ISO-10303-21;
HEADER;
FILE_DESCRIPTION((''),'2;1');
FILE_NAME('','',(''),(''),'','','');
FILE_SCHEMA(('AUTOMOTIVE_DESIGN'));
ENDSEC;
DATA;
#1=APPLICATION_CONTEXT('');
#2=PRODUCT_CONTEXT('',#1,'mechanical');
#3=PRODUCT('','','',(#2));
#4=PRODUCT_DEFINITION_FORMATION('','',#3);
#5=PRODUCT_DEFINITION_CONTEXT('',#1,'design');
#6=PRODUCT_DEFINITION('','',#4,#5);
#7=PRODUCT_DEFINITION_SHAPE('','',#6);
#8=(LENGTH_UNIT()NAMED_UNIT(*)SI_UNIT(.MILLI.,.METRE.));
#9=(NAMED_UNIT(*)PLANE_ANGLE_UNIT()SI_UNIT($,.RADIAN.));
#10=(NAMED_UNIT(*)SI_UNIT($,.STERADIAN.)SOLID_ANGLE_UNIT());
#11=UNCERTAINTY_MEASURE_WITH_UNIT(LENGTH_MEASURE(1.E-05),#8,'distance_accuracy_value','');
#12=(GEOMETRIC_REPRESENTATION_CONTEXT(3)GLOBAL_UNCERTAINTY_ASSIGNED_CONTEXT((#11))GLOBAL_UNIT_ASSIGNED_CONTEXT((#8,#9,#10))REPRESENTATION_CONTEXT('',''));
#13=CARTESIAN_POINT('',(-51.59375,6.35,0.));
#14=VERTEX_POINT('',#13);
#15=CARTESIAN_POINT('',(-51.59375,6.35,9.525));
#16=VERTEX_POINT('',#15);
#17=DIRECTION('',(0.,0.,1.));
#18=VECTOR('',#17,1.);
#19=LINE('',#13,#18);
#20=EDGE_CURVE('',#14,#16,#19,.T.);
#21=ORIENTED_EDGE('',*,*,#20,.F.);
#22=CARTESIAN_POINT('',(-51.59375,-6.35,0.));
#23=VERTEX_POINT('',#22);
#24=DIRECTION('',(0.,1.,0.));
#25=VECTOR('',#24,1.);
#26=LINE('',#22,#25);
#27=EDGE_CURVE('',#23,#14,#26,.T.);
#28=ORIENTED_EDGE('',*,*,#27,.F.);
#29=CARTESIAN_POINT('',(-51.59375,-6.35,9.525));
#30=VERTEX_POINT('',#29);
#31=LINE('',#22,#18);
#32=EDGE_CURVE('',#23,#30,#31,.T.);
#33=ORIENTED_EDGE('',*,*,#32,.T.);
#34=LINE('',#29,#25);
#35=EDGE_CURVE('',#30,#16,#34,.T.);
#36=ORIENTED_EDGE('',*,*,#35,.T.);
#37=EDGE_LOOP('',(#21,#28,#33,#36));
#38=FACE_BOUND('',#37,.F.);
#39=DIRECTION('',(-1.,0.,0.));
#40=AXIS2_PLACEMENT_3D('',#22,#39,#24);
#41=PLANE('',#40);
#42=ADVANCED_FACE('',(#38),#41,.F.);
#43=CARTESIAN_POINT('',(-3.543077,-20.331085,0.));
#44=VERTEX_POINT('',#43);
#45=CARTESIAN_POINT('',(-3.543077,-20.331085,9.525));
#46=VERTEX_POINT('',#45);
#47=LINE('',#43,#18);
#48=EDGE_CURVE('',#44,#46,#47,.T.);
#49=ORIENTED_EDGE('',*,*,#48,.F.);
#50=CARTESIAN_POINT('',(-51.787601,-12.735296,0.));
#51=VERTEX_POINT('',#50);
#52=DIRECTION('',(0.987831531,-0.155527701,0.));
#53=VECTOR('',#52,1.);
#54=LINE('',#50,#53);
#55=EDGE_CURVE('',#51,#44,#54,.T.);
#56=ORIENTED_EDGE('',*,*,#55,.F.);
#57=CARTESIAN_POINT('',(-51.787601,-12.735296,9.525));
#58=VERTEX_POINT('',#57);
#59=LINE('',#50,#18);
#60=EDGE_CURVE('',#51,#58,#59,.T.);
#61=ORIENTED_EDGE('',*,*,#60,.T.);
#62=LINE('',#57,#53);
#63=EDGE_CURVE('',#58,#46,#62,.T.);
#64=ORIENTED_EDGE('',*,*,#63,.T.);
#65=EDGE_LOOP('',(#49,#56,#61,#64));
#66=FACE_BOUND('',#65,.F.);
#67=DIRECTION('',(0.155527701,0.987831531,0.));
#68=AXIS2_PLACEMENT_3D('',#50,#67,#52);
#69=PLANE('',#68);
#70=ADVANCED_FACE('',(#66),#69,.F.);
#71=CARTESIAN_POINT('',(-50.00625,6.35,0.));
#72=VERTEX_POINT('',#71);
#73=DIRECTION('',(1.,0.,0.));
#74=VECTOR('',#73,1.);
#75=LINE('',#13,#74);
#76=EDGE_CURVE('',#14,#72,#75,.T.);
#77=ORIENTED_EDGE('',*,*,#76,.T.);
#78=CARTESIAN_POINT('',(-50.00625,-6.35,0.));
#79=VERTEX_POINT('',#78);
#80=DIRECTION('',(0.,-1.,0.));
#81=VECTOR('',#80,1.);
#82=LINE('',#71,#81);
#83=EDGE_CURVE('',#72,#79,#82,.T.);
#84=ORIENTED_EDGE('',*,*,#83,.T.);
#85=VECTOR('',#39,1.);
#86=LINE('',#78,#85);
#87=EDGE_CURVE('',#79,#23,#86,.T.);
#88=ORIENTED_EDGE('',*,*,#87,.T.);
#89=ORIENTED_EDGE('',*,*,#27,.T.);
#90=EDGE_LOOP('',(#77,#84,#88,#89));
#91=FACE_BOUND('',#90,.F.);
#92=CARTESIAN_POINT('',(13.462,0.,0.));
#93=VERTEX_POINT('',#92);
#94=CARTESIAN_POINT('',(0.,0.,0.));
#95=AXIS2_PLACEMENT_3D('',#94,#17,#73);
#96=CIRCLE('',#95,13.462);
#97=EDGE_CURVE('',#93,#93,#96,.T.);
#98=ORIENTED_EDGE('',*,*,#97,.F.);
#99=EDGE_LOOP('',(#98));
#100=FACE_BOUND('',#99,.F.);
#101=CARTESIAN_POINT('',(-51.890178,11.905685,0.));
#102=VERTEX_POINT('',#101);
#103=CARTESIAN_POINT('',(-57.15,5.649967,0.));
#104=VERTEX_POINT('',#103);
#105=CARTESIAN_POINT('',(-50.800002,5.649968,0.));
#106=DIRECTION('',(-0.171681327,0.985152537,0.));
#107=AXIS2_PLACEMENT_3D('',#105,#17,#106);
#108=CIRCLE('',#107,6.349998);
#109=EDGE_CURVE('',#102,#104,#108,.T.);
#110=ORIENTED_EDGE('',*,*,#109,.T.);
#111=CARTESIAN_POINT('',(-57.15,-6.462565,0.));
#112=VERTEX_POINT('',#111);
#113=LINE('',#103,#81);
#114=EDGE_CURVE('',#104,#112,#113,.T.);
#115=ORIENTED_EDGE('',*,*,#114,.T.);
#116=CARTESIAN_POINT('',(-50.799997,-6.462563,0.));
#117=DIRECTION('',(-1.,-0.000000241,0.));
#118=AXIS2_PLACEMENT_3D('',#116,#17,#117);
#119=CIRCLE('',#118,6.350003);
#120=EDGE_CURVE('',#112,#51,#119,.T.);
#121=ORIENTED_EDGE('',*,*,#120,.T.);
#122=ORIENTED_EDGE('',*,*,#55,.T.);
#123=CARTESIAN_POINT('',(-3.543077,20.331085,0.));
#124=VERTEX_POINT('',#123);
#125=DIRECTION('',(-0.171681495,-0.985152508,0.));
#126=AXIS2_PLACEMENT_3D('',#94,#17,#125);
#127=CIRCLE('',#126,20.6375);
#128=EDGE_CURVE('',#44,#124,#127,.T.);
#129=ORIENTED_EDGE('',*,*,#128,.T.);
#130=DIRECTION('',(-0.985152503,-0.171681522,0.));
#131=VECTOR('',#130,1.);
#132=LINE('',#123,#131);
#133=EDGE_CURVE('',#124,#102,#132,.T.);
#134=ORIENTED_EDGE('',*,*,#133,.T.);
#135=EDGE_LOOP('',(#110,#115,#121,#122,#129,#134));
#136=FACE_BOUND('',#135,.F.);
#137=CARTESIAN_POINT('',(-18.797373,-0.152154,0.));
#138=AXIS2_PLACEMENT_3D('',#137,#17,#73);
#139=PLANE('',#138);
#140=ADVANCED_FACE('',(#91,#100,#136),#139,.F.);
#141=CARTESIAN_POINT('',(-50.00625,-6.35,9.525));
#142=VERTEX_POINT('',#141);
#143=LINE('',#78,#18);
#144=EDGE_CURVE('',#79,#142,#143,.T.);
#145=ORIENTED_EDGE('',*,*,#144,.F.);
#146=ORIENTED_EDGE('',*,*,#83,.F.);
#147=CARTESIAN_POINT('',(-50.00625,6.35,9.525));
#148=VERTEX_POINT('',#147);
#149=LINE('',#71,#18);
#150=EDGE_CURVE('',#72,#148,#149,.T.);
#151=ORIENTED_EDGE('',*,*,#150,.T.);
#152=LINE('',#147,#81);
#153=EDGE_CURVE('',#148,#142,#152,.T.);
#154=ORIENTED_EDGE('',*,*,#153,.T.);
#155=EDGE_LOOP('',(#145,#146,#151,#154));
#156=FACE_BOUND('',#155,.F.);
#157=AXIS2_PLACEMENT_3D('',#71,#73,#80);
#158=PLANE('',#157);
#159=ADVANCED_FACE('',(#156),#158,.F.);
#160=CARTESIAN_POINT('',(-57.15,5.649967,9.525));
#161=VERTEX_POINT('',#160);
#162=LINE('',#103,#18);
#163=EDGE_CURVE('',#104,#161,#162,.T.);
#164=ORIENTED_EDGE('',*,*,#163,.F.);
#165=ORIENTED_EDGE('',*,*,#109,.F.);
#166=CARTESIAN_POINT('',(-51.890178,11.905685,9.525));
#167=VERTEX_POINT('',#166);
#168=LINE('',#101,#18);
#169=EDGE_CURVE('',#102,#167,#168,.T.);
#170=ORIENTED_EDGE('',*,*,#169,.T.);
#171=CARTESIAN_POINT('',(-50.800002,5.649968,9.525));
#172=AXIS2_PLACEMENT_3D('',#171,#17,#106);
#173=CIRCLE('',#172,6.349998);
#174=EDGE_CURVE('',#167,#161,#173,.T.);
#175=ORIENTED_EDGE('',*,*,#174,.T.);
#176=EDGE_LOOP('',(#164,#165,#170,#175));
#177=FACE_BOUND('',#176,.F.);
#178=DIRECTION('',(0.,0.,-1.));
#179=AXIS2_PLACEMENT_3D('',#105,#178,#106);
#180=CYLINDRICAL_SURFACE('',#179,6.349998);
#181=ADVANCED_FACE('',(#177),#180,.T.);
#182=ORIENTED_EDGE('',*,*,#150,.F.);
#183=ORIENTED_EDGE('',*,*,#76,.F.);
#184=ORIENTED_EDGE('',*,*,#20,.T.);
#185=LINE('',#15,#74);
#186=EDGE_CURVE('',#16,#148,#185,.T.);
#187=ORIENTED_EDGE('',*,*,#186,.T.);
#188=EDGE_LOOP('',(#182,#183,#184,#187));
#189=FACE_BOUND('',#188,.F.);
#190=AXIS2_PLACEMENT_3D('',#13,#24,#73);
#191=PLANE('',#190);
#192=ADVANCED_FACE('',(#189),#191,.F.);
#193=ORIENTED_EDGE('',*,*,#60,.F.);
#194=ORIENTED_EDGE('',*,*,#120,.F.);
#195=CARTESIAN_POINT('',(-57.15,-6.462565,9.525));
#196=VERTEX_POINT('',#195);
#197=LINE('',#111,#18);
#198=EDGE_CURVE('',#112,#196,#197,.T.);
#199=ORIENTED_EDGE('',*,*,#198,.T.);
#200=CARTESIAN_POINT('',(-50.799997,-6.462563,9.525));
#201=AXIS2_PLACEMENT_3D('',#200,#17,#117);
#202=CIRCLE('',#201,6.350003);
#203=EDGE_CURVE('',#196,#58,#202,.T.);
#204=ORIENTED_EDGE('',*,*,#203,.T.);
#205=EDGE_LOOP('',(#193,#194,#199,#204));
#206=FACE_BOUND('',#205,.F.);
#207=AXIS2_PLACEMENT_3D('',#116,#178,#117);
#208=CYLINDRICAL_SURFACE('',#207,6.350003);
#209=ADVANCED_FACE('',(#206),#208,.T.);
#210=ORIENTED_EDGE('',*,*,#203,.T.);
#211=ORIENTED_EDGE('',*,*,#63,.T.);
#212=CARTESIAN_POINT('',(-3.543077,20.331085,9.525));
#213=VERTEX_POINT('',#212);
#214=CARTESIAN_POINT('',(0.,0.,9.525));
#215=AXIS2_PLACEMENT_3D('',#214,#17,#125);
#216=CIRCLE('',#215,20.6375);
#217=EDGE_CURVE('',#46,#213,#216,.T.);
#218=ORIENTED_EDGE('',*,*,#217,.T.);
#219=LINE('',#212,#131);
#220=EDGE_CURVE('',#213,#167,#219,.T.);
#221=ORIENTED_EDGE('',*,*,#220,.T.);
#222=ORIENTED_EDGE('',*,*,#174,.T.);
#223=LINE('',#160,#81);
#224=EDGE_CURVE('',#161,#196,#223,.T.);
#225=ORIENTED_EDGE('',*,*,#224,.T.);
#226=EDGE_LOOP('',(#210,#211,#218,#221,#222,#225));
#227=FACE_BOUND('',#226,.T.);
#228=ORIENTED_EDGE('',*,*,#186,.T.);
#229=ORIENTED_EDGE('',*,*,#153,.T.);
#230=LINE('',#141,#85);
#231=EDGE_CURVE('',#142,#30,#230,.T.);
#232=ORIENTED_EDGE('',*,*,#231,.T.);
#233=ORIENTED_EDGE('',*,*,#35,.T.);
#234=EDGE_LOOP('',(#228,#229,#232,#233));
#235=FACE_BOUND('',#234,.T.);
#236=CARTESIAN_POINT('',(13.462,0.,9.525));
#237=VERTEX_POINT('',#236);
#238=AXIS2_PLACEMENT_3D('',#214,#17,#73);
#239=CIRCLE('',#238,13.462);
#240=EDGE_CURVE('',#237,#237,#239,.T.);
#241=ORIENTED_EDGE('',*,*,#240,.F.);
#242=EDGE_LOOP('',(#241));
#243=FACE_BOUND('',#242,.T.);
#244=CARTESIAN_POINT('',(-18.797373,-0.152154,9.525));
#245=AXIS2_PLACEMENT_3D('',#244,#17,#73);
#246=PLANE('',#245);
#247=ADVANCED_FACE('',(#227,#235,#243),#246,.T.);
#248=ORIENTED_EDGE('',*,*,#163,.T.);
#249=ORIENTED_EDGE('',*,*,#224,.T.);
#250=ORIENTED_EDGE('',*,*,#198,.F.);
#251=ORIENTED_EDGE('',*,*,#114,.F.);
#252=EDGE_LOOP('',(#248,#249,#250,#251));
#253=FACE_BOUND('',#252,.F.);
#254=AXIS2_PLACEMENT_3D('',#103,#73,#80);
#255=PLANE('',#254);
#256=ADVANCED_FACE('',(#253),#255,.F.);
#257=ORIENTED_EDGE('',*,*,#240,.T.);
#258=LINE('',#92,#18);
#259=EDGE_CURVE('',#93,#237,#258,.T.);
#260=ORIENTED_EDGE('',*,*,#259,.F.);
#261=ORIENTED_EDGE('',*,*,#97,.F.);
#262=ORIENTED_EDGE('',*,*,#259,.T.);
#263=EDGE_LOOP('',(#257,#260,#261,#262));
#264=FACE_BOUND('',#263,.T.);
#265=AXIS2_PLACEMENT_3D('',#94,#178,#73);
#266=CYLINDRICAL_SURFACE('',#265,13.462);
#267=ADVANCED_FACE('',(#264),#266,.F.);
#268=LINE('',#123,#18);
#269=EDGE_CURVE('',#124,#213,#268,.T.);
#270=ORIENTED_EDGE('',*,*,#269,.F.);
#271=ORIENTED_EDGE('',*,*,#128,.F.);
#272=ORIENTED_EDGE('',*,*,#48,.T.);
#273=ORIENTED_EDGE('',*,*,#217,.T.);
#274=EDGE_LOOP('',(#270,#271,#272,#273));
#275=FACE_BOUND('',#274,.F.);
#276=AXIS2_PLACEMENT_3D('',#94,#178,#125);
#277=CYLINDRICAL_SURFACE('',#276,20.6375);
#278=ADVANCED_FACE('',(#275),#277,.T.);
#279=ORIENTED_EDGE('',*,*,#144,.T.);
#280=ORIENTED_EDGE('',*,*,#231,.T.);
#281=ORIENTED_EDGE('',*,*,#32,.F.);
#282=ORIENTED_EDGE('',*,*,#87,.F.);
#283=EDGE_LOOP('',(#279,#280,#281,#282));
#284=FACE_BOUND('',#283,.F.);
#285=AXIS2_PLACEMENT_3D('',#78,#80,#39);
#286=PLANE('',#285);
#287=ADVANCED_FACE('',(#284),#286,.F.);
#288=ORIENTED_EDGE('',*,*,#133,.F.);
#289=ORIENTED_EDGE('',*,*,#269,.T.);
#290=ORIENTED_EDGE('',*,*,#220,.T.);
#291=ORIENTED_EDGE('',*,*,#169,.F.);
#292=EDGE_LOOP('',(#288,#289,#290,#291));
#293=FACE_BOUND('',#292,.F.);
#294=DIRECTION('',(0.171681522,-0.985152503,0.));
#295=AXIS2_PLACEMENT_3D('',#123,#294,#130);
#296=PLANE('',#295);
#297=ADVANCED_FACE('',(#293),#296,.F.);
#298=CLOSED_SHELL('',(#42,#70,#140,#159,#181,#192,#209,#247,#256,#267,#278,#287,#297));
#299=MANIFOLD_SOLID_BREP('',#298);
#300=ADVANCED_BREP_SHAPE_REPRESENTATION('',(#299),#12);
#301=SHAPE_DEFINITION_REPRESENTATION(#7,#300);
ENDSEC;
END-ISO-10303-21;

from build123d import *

# Parameters (mm, degrees)
F0_R     = 13.462
F1_DEPTH = 9.525


with BuildPart() as f1:
    # F0 (on Top) → F1 (new body)
    with BuildSketch(Plane.XY):
        with BuildLine():
            Line((-51.787601, -12.735296), (-3.543077, -20.331085))
            ThreePointArc((-3.543077, -20.331085), (20.6375, 0), (-3.543077, 20.331085))
            Line((-3.543077, 20.331085), (-51.890178, 11.905685))
            ThreePointArc((-51.890178, 11.905685), (-55.660305, 9.736523), (-57.15, 5.649967))
            Line((-57.15, 5.649967), (-57.15, -6.462565))
            ThreePointArc((-57.15, -6.462565), (-55.626684, -10.588776), (-51.787601, -12.735296))
        make_face()
        Polygon((-50.00625, 6.35), (-50.00625, 0), (-50.00625, -6.35), (-51.59375, -6.35), (-51.59375, 0), (-51.59375, 6.35), align=None, mode=Mode.SUBTRACT)
        Circle(F0_R, mode=Mode.SUBTRACT)
    extrude(amount=F1_DEPTH)


solid = f1.part
